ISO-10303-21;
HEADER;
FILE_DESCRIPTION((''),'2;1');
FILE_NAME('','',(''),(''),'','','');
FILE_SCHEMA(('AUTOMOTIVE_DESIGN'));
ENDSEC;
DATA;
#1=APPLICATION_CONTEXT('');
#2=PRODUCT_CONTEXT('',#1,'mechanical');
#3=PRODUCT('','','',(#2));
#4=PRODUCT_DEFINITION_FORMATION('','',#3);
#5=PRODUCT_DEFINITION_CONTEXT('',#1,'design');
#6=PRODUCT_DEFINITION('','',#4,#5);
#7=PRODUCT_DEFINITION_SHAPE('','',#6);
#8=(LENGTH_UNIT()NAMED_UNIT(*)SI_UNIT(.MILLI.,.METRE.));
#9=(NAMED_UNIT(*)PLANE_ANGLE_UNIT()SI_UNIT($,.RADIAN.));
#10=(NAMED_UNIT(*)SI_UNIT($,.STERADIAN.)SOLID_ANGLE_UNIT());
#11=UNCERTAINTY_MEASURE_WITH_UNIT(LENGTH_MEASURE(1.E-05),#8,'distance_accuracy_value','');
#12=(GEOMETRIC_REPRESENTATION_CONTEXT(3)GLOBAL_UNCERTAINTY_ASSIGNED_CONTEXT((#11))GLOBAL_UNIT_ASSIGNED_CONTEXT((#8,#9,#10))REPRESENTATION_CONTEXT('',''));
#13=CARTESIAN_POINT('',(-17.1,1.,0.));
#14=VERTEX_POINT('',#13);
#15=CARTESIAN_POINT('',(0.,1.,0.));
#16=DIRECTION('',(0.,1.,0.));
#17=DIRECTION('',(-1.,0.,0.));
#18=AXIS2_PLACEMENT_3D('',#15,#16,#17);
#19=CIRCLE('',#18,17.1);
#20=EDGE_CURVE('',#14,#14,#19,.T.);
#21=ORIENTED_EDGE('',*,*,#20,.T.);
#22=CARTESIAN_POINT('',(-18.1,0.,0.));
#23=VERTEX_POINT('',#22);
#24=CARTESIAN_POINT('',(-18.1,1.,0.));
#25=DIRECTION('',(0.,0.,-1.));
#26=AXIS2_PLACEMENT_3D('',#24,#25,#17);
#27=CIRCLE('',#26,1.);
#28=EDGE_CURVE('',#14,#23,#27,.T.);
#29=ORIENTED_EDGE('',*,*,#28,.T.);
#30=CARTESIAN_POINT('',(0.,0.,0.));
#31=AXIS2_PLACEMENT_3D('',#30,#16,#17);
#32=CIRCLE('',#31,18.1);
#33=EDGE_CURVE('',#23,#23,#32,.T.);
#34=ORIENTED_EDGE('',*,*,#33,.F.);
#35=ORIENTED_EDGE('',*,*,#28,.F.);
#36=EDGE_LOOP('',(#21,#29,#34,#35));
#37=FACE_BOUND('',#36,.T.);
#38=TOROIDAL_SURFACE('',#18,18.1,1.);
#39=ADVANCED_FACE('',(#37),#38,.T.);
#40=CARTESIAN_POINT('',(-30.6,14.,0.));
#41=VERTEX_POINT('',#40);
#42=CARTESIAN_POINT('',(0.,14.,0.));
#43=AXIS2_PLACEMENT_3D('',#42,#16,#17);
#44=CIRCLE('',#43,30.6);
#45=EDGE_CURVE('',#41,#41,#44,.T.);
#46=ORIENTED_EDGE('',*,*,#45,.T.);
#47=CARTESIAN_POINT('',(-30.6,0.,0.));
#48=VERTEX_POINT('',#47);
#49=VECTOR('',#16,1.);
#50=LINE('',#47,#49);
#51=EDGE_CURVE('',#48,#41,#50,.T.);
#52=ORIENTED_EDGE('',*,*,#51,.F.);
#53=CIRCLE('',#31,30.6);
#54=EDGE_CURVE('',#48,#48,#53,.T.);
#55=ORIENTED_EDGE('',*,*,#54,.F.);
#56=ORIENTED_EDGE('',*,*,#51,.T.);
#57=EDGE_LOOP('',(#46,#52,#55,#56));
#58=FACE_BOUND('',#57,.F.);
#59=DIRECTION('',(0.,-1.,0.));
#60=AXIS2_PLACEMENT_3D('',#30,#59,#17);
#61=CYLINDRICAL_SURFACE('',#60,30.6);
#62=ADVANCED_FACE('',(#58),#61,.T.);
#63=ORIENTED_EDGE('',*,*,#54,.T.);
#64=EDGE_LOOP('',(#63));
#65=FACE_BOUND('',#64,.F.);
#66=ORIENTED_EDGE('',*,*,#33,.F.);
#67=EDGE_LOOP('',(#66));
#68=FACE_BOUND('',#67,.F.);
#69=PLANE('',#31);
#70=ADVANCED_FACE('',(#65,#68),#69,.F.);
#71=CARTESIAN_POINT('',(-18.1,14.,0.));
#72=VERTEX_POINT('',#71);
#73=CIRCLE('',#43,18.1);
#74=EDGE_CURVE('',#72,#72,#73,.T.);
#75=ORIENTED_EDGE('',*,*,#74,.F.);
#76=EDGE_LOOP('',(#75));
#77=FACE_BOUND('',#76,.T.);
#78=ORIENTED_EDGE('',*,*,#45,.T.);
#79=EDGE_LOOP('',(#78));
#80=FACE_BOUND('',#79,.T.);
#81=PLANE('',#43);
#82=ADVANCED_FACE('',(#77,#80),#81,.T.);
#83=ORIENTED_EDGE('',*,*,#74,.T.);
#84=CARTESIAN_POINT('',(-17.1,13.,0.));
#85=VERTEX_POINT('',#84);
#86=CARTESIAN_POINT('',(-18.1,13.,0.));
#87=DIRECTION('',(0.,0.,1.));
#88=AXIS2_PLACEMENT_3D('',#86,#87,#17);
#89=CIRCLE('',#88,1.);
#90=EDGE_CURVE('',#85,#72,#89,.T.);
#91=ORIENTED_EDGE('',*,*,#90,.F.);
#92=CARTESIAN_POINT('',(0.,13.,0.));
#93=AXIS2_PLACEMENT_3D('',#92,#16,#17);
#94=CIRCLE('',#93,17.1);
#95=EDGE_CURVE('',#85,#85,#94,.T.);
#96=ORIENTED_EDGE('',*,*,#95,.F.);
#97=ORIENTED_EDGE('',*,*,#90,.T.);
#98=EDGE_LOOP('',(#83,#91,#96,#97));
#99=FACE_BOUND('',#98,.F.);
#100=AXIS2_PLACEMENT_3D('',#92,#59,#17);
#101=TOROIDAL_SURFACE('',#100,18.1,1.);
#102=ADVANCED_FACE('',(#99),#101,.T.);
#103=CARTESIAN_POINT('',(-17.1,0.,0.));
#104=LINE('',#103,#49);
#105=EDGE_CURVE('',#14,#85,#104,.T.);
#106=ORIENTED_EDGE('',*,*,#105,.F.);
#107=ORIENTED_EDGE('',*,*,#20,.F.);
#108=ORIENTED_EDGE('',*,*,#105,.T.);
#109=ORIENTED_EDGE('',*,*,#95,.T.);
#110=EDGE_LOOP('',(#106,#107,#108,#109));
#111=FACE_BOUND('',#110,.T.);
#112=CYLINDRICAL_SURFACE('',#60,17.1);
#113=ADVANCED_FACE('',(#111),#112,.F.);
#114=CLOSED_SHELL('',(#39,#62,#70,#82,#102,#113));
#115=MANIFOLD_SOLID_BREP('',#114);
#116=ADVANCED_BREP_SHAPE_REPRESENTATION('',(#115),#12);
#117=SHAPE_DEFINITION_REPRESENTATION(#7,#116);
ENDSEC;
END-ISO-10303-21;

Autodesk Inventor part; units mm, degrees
ref_plane "YZ Plane" through (0, 0, 0) normal (1, 0, 0) x (0, 1, 0)
ref_plane "XZ Plane" through (0, 0, 0) normal (0, 1, 0) x (-1, 0, 0)
ref_plane "XY Plane" through (0, 0, 0) normal (0, 0, 1) x (1, 0, 0)
sketch "Sketch1" plane through (0, 0, 0) normal (0, 1, 0) x (-1, 0, 0)
  circle A0 centre (0, 0) radius 30.6
  circle A1 centre (0, 0) radius 17.1
  dimension "d0" = 61.2
  dimension "d1" = 34.2
extrude "Extrusion1" add sketch "Sketch1" along normal blind 14
fillet "Fillet1" radius 1 2 edges at (17.1, 14, 0) (17.1, 0, 0)
properties part number "Simplified_Bearing"
